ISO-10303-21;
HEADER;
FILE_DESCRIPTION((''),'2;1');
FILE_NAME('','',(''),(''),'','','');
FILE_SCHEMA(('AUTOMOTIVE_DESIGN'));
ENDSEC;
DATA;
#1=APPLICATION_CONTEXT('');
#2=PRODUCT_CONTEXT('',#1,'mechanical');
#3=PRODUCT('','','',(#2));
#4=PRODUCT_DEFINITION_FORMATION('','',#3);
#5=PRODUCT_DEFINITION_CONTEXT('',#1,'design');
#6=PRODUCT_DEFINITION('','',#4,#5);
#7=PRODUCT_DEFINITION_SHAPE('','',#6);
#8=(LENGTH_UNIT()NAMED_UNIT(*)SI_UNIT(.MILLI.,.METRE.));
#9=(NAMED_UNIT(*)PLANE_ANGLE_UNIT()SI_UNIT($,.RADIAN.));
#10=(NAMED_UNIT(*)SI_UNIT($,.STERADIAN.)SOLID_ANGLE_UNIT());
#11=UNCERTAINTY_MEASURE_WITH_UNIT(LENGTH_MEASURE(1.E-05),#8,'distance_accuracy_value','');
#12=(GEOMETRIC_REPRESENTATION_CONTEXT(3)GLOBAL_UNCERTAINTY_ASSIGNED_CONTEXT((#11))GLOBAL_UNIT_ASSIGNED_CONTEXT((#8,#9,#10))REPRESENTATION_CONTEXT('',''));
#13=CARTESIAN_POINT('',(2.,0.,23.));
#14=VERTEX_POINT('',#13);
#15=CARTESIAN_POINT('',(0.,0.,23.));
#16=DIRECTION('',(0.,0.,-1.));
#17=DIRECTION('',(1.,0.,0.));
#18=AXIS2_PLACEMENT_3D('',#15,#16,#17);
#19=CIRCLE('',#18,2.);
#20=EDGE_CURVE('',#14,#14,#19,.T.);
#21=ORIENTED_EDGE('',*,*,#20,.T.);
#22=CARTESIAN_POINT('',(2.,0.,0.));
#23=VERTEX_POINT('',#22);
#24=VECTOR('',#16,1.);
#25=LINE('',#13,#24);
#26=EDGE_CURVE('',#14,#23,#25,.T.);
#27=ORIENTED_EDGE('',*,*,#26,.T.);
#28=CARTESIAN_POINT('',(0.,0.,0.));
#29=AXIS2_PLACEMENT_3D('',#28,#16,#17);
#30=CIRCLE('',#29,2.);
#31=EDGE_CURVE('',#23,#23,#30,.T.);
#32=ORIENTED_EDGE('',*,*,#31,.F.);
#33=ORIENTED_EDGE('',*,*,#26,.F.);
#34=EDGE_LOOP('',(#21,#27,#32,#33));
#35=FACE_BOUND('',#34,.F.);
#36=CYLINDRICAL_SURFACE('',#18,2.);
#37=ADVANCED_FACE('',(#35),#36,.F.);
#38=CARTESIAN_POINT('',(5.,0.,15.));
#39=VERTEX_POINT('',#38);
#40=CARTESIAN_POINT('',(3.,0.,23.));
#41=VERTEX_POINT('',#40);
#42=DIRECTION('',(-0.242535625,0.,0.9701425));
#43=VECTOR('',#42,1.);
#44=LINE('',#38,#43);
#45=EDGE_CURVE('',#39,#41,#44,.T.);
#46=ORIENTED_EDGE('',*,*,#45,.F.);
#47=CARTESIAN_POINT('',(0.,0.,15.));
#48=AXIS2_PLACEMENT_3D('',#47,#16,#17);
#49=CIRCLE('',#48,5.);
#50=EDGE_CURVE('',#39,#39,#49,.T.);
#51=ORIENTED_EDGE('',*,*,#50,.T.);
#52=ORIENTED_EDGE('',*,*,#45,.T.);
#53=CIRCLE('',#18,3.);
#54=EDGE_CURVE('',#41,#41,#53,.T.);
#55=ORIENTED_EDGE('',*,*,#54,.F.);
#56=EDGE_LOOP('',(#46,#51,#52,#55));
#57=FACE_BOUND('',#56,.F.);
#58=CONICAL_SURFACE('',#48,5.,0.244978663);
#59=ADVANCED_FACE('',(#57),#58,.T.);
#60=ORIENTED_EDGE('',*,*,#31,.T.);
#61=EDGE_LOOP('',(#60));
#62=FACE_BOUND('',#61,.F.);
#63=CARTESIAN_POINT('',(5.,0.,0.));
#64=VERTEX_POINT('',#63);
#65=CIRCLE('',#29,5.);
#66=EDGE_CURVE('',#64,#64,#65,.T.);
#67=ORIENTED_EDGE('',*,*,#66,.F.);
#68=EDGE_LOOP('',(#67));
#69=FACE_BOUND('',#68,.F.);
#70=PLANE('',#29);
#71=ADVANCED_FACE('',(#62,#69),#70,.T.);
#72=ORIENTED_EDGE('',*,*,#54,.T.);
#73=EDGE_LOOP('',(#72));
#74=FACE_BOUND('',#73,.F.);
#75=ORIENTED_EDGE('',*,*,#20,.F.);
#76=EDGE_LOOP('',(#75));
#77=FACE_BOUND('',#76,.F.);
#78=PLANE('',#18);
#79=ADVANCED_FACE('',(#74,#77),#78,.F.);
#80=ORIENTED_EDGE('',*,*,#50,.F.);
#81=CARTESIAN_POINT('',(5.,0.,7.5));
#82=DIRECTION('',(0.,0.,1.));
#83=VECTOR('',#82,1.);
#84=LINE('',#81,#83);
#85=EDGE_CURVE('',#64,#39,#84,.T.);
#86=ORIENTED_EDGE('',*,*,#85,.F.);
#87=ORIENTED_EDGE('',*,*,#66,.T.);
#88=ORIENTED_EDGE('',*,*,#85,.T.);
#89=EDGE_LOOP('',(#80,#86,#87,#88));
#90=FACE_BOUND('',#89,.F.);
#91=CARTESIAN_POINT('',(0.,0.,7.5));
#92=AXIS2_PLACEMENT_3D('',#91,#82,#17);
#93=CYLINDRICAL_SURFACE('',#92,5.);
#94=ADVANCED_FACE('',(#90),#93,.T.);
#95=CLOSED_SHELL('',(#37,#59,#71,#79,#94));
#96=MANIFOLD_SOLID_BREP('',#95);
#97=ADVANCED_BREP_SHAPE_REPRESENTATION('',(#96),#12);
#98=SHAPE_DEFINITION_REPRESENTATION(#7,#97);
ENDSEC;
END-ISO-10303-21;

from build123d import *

# Parameters (mm, degrees)
F0_W = 3
F0_H = 15


with BuildPart() as f1:
    # F0 (on Front) → F1 (revolve)
    with BuildSketch(Plane.XZ):
        with Locations((3.5, 7.5)):
            Rectangle(F0_W, F0_H)
        Polygon((2, 23), (2, 15), (5, 15), (3, 23), align=None)
    revolve(axis=Axis((0, 0, 11.501853), (0, 0, -1)))


solid = f1.part
